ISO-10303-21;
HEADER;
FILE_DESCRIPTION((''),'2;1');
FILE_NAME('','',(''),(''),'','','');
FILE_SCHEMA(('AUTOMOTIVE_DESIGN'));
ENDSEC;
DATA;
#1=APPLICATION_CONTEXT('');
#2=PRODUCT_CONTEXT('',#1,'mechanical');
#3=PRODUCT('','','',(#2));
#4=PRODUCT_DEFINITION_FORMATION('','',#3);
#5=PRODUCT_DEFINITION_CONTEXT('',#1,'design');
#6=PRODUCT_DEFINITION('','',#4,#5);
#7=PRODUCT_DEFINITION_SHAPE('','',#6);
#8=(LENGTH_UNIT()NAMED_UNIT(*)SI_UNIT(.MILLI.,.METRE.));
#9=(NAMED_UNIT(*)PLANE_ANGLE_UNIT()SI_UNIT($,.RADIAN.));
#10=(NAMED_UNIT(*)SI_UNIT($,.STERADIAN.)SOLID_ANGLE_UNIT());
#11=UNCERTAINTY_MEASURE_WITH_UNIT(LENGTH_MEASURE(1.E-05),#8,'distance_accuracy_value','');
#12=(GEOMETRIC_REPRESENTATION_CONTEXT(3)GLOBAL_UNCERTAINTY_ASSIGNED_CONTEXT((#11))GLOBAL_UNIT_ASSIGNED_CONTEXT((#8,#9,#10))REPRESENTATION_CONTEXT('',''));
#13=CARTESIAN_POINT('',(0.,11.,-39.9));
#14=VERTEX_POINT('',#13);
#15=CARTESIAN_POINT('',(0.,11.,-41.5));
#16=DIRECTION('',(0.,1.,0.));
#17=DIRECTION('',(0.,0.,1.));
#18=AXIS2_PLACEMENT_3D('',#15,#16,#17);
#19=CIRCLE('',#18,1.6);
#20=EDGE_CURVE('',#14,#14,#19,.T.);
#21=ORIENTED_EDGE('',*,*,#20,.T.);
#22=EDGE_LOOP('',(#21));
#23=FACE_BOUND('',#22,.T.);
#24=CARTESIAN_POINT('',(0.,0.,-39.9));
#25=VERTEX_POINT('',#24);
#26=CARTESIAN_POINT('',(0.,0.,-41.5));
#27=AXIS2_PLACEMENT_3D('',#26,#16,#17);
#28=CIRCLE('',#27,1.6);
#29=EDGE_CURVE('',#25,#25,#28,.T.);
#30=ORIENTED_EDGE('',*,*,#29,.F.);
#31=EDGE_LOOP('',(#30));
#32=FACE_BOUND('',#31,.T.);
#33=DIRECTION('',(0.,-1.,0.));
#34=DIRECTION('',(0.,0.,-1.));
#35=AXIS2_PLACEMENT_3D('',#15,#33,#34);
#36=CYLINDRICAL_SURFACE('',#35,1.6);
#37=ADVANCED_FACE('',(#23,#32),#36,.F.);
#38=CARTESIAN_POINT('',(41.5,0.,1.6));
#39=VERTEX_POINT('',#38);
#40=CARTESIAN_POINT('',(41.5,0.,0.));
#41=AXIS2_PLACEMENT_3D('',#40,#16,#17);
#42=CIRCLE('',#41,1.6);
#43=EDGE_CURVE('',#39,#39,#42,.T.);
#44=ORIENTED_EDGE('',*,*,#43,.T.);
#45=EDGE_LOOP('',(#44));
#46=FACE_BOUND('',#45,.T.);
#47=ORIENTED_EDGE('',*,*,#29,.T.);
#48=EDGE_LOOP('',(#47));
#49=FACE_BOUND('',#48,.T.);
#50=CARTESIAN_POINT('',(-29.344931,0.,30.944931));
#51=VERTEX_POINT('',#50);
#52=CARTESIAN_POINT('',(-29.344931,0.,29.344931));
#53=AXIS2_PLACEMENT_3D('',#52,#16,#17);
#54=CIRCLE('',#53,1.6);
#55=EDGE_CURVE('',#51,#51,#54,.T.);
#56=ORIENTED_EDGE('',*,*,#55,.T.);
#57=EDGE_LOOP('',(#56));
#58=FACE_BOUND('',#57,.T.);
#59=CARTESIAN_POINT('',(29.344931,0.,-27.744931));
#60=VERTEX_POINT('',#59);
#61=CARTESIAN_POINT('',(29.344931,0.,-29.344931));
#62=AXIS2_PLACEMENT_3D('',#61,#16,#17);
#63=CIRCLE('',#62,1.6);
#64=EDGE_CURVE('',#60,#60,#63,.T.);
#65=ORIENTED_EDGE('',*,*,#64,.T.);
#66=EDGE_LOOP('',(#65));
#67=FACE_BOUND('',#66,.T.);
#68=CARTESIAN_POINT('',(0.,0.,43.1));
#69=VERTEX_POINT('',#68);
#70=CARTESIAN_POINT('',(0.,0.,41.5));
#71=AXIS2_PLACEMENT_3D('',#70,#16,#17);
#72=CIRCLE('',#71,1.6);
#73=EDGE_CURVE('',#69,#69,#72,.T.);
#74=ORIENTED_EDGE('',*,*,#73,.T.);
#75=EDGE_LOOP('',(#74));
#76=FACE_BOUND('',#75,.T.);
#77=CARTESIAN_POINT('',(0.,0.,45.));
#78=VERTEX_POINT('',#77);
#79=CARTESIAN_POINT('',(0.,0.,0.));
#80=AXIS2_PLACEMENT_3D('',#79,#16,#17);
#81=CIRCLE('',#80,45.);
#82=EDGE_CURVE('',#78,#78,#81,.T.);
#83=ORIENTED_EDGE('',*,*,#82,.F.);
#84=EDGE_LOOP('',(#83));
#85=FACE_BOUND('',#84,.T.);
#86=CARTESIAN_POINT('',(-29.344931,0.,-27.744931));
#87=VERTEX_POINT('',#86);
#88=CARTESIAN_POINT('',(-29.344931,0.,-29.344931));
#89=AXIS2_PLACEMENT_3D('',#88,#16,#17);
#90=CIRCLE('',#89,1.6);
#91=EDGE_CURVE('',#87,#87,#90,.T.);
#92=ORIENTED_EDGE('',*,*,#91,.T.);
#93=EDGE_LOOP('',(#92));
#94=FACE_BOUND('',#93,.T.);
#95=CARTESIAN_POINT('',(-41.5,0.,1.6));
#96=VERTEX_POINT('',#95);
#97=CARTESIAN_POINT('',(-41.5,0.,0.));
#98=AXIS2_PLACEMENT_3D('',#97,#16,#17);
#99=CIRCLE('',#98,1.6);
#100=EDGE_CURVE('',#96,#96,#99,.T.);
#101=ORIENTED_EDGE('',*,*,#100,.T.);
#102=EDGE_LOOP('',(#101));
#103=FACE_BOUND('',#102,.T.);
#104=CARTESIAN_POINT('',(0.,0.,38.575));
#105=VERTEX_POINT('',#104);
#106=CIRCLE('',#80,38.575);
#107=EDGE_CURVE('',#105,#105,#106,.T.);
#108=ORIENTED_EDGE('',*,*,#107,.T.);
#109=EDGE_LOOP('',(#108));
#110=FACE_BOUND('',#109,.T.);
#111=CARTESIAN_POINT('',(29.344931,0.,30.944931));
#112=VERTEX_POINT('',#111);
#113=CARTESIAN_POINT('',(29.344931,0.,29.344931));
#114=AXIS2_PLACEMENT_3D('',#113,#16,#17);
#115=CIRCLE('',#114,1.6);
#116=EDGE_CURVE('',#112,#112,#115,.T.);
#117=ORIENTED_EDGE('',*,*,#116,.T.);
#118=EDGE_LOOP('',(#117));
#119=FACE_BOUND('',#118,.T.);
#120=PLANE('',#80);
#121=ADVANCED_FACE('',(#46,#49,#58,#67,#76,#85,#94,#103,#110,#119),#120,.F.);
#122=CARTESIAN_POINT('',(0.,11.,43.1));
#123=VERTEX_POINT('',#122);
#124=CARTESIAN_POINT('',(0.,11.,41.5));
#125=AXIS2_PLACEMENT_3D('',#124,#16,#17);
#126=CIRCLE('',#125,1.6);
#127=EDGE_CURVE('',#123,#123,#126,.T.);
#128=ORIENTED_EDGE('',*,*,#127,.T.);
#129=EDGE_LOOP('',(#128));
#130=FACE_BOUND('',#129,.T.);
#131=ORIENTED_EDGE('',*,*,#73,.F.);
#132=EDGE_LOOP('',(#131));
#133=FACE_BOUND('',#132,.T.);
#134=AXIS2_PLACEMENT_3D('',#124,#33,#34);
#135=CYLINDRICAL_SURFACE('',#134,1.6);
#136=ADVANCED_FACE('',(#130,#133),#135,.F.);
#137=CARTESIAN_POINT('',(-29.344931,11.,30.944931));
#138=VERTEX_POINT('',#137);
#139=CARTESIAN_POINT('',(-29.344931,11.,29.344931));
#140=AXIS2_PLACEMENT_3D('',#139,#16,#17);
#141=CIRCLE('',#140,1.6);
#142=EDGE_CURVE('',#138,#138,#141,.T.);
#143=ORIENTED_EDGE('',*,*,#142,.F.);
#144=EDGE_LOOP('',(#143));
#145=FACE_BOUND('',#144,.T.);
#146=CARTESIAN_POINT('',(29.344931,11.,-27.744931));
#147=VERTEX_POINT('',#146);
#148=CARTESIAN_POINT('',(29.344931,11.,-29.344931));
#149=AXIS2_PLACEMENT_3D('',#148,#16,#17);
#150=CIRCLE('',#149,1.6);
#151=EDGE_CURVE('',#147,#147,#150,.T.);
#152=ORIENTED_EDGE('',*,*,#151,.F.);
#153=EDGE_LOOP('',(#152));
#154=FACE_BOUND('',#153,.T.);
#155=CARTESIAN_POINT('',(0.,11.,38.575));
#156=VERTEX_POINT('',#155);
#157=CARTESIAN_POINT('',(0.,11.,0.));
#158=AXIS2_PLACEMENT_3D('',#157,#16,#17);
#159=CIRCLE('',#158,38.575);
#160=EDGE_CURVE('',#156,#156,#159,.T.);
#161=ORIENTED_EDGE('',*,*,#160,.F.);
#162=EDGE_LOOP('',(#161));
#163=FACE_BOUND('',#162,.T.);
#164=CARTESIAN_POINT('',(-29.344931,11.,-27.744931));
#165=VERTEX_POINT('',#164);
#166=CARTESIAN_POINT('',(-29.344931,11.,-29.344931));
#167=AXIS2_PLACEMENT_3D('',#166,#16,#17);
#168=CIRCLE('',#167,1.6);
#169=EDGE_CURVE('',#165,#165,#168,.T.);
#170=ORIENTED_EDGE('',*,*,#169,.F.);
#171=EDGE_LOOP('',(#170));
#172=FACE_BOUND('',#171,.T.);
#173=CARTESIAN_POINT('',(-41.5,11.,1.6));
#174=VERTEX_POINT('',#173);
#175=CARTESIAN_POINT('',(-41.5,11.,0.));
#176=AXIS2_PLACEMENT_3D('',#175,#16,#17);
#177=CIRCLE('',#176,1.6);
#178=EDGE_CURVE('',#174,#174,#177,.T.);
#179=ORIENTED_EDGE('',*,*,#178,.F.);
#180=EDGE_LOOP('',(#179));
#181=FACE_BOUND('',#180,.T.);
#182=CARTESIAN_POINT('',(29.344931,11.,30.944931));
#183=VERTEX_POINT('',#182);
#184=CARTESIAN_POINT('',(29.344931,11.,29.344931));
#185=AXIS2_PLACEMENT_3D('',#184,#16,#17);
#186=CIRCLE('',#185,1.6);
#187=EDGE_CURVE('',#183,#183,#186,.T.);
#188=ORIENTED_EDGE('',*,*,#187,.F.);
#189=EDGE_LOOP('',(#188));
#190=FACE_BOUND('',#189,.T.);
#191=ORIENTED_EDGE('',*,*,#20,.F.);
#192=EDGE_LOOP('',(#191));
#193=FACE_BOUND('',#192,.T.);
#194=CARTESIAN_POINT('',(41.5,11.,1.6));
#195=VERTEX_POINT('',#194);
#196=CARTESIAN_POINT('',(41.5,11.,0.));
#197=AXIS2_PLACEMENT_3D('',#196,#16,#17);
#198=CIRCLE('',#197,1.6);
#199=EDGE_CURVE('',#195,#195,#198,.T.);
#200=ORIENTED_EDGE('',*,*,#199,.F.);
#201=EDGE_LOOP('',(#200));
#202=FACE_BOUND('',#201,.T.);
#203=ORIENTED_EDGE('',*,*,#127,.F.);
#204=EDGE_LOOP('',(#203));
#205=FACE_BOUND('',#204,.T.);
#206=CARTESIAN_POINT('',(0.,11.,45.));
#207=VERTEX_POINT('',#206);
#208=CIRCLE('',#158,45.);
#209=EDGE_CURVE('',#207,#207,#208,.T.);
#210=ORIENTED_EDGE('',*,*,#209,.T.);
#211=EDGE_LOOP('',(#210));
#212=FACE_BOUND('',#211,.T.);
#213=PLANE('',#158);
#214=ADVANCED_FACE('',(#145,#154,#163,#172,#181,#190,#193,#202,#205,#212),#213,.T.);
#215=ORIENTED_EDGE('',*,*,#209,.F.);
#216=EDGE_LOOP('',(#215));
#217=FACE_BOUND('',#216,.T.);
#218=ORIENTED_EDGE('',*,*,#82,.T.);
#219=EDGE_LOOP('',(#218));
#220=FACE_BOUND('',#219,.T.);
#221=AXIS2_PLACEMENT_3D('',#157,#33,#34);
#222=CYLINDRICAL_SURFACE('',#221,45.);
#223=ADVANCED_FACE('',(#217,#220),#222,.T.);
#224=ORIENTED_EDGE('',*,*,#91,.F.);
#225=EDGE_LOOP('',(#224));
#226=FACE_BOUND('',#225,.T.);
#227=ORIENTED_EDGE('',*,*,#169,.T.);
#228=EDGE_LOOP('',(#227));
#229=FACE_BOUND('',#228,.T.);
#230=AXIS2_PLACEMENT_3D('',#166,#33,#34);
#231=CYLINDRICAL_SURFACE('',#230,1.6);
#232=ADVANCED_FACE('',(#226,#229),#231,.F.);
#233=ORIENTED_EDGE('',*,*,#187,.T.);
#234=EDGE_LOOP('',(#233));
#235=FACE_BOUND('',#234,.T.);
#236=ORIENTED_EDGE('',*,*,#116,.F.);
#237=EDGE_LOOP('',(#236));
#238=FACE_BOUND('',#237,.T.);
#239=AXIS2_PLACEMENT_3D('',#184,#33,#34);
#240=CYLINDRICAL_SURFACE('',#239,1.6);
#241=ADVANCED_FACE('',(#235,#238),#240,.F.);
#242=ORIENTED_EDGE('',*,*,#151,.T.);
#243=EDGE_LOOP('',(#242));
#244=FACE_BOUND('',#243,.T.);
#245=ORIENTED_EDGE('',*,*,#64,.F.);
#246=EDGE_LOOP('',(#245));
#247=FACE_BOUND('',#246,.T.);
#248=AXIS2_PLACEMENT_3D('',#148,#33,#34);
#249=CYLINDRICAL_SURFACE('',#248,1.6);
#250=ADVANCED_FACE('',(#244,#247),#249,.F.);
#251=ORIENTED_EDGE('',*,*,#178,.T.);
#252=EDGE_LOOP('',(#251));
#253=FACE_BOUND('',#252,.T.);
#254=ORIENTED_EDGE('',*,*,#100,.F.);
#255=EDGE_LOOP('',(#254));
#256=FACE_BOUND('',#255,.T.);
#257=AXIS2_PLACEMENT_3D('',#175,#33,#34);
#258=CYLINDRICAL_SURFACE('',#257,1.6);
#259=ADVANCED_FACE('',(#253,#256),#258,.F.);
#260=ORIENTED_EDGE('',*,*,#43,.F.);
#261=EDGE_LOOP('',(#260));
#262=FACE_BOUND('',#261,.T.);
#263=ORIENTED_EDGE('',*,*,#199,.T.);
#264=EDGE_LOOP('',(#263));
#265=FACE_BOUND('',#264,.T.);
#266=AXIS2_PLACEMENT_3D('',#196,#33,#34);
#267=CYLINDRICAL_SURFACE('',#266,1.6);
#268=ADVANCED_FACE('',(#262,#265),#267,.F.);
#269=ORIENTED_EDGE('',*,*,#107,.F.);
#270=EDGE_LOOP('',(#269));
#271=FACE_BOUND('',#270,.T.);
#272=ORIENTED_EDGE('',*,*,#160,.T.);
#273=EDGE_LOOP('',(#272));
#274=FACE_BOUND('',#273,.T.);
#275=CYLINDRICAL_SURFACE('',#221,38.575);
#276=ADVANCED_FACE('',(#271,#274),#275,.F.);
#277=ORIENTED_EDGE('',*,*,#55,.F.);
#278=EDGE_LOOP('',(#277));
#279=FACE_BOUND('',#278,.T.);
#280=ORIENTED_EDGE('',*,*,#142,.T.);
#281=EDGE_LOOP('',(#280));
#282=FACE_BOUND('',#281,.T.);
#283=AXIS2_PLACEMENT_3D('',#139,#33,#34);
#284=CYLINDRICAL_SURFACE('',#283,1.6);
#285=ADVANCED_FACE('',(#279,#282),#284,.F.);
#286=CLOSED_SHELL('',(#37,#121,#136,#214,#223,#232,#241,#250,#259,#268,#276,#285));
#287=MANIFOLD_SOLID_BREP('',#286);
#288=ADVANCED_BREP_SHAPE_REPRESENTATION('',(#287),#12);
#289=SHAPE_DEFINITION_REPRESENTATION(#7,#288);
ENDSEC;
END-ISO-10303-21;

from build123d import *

# Parameters (mm, degrees)
SKETCH1_R           = 45
SKETCH1_R_2         = 38.575
SKETCH1_R_3         = 1.6
BOSS_EXTRUDE1_DEPTH = 11


with BuildPart() as part:
    # Sketch1 → Boss-Extrude1 (new body)
    with BuildSketch(Plane(origin=(0, 0, 0), x_dir=(1, 0, 0), z_dir=(0, 1, 0))):
        with Locations(Location((0, 0, 0), (0, 0, 270))):
            Circle(SKETCH1_R)
        with Locations(Location((0, 0, 0), (0, 0, 270))):
            Circle(SKETCH1_R_2, mode=Mode.SUBTRACT)
        with Locations(Location((0, 41.5, 0), (0, 0, 270))):
            Circle(SKETCH1_R_3, mode=Mode.SUBTRACT)
        with Locations(Location((29.344931419, 29.344931419, 0), (0, 0, 270))):
            Circle(SKETCH1_R_3, mode=Mode.SUBTRACT)
        with Locations(Location((41.5, 0, 0), (0, 0, 270))):
            Circle(SKETCH1_R_3, mode=Mode.SUBTRACT)
        with Locations(Location((29.344931419, -29.344931419, 0), (0, 0, 270))):
            Circle(SKETCH1_R_3, mode=Mode.SUBTRACT)
        with Locations(Location((0, -41.5, 0), (0, 0, 270))):
            Circle(SKETCH1_R_3, mode=Mode.SUBTRACT)
        with Locations(Location((-29.344931419, -29.344931419, 0), (0, 0, 270))):
            Circle(SKETCH1_R_3, mode=Mode.SUBTRACT)
        with Locations(Location((-41.5, 0, 0), (0, 0, 270))):
            Circle(SKETCH1_R_3, mode=Mode.SUBTRACT)
        with Locations(Location((-29.344931419, 29.344931419, 0), (0, 0, 270))):
            Circle(SKETCH1_R_3, mode=Mode.SUBTRACT)
    extrude(amount=BOSS_EXTRUDE1_DEPTH)


solid = part.part
